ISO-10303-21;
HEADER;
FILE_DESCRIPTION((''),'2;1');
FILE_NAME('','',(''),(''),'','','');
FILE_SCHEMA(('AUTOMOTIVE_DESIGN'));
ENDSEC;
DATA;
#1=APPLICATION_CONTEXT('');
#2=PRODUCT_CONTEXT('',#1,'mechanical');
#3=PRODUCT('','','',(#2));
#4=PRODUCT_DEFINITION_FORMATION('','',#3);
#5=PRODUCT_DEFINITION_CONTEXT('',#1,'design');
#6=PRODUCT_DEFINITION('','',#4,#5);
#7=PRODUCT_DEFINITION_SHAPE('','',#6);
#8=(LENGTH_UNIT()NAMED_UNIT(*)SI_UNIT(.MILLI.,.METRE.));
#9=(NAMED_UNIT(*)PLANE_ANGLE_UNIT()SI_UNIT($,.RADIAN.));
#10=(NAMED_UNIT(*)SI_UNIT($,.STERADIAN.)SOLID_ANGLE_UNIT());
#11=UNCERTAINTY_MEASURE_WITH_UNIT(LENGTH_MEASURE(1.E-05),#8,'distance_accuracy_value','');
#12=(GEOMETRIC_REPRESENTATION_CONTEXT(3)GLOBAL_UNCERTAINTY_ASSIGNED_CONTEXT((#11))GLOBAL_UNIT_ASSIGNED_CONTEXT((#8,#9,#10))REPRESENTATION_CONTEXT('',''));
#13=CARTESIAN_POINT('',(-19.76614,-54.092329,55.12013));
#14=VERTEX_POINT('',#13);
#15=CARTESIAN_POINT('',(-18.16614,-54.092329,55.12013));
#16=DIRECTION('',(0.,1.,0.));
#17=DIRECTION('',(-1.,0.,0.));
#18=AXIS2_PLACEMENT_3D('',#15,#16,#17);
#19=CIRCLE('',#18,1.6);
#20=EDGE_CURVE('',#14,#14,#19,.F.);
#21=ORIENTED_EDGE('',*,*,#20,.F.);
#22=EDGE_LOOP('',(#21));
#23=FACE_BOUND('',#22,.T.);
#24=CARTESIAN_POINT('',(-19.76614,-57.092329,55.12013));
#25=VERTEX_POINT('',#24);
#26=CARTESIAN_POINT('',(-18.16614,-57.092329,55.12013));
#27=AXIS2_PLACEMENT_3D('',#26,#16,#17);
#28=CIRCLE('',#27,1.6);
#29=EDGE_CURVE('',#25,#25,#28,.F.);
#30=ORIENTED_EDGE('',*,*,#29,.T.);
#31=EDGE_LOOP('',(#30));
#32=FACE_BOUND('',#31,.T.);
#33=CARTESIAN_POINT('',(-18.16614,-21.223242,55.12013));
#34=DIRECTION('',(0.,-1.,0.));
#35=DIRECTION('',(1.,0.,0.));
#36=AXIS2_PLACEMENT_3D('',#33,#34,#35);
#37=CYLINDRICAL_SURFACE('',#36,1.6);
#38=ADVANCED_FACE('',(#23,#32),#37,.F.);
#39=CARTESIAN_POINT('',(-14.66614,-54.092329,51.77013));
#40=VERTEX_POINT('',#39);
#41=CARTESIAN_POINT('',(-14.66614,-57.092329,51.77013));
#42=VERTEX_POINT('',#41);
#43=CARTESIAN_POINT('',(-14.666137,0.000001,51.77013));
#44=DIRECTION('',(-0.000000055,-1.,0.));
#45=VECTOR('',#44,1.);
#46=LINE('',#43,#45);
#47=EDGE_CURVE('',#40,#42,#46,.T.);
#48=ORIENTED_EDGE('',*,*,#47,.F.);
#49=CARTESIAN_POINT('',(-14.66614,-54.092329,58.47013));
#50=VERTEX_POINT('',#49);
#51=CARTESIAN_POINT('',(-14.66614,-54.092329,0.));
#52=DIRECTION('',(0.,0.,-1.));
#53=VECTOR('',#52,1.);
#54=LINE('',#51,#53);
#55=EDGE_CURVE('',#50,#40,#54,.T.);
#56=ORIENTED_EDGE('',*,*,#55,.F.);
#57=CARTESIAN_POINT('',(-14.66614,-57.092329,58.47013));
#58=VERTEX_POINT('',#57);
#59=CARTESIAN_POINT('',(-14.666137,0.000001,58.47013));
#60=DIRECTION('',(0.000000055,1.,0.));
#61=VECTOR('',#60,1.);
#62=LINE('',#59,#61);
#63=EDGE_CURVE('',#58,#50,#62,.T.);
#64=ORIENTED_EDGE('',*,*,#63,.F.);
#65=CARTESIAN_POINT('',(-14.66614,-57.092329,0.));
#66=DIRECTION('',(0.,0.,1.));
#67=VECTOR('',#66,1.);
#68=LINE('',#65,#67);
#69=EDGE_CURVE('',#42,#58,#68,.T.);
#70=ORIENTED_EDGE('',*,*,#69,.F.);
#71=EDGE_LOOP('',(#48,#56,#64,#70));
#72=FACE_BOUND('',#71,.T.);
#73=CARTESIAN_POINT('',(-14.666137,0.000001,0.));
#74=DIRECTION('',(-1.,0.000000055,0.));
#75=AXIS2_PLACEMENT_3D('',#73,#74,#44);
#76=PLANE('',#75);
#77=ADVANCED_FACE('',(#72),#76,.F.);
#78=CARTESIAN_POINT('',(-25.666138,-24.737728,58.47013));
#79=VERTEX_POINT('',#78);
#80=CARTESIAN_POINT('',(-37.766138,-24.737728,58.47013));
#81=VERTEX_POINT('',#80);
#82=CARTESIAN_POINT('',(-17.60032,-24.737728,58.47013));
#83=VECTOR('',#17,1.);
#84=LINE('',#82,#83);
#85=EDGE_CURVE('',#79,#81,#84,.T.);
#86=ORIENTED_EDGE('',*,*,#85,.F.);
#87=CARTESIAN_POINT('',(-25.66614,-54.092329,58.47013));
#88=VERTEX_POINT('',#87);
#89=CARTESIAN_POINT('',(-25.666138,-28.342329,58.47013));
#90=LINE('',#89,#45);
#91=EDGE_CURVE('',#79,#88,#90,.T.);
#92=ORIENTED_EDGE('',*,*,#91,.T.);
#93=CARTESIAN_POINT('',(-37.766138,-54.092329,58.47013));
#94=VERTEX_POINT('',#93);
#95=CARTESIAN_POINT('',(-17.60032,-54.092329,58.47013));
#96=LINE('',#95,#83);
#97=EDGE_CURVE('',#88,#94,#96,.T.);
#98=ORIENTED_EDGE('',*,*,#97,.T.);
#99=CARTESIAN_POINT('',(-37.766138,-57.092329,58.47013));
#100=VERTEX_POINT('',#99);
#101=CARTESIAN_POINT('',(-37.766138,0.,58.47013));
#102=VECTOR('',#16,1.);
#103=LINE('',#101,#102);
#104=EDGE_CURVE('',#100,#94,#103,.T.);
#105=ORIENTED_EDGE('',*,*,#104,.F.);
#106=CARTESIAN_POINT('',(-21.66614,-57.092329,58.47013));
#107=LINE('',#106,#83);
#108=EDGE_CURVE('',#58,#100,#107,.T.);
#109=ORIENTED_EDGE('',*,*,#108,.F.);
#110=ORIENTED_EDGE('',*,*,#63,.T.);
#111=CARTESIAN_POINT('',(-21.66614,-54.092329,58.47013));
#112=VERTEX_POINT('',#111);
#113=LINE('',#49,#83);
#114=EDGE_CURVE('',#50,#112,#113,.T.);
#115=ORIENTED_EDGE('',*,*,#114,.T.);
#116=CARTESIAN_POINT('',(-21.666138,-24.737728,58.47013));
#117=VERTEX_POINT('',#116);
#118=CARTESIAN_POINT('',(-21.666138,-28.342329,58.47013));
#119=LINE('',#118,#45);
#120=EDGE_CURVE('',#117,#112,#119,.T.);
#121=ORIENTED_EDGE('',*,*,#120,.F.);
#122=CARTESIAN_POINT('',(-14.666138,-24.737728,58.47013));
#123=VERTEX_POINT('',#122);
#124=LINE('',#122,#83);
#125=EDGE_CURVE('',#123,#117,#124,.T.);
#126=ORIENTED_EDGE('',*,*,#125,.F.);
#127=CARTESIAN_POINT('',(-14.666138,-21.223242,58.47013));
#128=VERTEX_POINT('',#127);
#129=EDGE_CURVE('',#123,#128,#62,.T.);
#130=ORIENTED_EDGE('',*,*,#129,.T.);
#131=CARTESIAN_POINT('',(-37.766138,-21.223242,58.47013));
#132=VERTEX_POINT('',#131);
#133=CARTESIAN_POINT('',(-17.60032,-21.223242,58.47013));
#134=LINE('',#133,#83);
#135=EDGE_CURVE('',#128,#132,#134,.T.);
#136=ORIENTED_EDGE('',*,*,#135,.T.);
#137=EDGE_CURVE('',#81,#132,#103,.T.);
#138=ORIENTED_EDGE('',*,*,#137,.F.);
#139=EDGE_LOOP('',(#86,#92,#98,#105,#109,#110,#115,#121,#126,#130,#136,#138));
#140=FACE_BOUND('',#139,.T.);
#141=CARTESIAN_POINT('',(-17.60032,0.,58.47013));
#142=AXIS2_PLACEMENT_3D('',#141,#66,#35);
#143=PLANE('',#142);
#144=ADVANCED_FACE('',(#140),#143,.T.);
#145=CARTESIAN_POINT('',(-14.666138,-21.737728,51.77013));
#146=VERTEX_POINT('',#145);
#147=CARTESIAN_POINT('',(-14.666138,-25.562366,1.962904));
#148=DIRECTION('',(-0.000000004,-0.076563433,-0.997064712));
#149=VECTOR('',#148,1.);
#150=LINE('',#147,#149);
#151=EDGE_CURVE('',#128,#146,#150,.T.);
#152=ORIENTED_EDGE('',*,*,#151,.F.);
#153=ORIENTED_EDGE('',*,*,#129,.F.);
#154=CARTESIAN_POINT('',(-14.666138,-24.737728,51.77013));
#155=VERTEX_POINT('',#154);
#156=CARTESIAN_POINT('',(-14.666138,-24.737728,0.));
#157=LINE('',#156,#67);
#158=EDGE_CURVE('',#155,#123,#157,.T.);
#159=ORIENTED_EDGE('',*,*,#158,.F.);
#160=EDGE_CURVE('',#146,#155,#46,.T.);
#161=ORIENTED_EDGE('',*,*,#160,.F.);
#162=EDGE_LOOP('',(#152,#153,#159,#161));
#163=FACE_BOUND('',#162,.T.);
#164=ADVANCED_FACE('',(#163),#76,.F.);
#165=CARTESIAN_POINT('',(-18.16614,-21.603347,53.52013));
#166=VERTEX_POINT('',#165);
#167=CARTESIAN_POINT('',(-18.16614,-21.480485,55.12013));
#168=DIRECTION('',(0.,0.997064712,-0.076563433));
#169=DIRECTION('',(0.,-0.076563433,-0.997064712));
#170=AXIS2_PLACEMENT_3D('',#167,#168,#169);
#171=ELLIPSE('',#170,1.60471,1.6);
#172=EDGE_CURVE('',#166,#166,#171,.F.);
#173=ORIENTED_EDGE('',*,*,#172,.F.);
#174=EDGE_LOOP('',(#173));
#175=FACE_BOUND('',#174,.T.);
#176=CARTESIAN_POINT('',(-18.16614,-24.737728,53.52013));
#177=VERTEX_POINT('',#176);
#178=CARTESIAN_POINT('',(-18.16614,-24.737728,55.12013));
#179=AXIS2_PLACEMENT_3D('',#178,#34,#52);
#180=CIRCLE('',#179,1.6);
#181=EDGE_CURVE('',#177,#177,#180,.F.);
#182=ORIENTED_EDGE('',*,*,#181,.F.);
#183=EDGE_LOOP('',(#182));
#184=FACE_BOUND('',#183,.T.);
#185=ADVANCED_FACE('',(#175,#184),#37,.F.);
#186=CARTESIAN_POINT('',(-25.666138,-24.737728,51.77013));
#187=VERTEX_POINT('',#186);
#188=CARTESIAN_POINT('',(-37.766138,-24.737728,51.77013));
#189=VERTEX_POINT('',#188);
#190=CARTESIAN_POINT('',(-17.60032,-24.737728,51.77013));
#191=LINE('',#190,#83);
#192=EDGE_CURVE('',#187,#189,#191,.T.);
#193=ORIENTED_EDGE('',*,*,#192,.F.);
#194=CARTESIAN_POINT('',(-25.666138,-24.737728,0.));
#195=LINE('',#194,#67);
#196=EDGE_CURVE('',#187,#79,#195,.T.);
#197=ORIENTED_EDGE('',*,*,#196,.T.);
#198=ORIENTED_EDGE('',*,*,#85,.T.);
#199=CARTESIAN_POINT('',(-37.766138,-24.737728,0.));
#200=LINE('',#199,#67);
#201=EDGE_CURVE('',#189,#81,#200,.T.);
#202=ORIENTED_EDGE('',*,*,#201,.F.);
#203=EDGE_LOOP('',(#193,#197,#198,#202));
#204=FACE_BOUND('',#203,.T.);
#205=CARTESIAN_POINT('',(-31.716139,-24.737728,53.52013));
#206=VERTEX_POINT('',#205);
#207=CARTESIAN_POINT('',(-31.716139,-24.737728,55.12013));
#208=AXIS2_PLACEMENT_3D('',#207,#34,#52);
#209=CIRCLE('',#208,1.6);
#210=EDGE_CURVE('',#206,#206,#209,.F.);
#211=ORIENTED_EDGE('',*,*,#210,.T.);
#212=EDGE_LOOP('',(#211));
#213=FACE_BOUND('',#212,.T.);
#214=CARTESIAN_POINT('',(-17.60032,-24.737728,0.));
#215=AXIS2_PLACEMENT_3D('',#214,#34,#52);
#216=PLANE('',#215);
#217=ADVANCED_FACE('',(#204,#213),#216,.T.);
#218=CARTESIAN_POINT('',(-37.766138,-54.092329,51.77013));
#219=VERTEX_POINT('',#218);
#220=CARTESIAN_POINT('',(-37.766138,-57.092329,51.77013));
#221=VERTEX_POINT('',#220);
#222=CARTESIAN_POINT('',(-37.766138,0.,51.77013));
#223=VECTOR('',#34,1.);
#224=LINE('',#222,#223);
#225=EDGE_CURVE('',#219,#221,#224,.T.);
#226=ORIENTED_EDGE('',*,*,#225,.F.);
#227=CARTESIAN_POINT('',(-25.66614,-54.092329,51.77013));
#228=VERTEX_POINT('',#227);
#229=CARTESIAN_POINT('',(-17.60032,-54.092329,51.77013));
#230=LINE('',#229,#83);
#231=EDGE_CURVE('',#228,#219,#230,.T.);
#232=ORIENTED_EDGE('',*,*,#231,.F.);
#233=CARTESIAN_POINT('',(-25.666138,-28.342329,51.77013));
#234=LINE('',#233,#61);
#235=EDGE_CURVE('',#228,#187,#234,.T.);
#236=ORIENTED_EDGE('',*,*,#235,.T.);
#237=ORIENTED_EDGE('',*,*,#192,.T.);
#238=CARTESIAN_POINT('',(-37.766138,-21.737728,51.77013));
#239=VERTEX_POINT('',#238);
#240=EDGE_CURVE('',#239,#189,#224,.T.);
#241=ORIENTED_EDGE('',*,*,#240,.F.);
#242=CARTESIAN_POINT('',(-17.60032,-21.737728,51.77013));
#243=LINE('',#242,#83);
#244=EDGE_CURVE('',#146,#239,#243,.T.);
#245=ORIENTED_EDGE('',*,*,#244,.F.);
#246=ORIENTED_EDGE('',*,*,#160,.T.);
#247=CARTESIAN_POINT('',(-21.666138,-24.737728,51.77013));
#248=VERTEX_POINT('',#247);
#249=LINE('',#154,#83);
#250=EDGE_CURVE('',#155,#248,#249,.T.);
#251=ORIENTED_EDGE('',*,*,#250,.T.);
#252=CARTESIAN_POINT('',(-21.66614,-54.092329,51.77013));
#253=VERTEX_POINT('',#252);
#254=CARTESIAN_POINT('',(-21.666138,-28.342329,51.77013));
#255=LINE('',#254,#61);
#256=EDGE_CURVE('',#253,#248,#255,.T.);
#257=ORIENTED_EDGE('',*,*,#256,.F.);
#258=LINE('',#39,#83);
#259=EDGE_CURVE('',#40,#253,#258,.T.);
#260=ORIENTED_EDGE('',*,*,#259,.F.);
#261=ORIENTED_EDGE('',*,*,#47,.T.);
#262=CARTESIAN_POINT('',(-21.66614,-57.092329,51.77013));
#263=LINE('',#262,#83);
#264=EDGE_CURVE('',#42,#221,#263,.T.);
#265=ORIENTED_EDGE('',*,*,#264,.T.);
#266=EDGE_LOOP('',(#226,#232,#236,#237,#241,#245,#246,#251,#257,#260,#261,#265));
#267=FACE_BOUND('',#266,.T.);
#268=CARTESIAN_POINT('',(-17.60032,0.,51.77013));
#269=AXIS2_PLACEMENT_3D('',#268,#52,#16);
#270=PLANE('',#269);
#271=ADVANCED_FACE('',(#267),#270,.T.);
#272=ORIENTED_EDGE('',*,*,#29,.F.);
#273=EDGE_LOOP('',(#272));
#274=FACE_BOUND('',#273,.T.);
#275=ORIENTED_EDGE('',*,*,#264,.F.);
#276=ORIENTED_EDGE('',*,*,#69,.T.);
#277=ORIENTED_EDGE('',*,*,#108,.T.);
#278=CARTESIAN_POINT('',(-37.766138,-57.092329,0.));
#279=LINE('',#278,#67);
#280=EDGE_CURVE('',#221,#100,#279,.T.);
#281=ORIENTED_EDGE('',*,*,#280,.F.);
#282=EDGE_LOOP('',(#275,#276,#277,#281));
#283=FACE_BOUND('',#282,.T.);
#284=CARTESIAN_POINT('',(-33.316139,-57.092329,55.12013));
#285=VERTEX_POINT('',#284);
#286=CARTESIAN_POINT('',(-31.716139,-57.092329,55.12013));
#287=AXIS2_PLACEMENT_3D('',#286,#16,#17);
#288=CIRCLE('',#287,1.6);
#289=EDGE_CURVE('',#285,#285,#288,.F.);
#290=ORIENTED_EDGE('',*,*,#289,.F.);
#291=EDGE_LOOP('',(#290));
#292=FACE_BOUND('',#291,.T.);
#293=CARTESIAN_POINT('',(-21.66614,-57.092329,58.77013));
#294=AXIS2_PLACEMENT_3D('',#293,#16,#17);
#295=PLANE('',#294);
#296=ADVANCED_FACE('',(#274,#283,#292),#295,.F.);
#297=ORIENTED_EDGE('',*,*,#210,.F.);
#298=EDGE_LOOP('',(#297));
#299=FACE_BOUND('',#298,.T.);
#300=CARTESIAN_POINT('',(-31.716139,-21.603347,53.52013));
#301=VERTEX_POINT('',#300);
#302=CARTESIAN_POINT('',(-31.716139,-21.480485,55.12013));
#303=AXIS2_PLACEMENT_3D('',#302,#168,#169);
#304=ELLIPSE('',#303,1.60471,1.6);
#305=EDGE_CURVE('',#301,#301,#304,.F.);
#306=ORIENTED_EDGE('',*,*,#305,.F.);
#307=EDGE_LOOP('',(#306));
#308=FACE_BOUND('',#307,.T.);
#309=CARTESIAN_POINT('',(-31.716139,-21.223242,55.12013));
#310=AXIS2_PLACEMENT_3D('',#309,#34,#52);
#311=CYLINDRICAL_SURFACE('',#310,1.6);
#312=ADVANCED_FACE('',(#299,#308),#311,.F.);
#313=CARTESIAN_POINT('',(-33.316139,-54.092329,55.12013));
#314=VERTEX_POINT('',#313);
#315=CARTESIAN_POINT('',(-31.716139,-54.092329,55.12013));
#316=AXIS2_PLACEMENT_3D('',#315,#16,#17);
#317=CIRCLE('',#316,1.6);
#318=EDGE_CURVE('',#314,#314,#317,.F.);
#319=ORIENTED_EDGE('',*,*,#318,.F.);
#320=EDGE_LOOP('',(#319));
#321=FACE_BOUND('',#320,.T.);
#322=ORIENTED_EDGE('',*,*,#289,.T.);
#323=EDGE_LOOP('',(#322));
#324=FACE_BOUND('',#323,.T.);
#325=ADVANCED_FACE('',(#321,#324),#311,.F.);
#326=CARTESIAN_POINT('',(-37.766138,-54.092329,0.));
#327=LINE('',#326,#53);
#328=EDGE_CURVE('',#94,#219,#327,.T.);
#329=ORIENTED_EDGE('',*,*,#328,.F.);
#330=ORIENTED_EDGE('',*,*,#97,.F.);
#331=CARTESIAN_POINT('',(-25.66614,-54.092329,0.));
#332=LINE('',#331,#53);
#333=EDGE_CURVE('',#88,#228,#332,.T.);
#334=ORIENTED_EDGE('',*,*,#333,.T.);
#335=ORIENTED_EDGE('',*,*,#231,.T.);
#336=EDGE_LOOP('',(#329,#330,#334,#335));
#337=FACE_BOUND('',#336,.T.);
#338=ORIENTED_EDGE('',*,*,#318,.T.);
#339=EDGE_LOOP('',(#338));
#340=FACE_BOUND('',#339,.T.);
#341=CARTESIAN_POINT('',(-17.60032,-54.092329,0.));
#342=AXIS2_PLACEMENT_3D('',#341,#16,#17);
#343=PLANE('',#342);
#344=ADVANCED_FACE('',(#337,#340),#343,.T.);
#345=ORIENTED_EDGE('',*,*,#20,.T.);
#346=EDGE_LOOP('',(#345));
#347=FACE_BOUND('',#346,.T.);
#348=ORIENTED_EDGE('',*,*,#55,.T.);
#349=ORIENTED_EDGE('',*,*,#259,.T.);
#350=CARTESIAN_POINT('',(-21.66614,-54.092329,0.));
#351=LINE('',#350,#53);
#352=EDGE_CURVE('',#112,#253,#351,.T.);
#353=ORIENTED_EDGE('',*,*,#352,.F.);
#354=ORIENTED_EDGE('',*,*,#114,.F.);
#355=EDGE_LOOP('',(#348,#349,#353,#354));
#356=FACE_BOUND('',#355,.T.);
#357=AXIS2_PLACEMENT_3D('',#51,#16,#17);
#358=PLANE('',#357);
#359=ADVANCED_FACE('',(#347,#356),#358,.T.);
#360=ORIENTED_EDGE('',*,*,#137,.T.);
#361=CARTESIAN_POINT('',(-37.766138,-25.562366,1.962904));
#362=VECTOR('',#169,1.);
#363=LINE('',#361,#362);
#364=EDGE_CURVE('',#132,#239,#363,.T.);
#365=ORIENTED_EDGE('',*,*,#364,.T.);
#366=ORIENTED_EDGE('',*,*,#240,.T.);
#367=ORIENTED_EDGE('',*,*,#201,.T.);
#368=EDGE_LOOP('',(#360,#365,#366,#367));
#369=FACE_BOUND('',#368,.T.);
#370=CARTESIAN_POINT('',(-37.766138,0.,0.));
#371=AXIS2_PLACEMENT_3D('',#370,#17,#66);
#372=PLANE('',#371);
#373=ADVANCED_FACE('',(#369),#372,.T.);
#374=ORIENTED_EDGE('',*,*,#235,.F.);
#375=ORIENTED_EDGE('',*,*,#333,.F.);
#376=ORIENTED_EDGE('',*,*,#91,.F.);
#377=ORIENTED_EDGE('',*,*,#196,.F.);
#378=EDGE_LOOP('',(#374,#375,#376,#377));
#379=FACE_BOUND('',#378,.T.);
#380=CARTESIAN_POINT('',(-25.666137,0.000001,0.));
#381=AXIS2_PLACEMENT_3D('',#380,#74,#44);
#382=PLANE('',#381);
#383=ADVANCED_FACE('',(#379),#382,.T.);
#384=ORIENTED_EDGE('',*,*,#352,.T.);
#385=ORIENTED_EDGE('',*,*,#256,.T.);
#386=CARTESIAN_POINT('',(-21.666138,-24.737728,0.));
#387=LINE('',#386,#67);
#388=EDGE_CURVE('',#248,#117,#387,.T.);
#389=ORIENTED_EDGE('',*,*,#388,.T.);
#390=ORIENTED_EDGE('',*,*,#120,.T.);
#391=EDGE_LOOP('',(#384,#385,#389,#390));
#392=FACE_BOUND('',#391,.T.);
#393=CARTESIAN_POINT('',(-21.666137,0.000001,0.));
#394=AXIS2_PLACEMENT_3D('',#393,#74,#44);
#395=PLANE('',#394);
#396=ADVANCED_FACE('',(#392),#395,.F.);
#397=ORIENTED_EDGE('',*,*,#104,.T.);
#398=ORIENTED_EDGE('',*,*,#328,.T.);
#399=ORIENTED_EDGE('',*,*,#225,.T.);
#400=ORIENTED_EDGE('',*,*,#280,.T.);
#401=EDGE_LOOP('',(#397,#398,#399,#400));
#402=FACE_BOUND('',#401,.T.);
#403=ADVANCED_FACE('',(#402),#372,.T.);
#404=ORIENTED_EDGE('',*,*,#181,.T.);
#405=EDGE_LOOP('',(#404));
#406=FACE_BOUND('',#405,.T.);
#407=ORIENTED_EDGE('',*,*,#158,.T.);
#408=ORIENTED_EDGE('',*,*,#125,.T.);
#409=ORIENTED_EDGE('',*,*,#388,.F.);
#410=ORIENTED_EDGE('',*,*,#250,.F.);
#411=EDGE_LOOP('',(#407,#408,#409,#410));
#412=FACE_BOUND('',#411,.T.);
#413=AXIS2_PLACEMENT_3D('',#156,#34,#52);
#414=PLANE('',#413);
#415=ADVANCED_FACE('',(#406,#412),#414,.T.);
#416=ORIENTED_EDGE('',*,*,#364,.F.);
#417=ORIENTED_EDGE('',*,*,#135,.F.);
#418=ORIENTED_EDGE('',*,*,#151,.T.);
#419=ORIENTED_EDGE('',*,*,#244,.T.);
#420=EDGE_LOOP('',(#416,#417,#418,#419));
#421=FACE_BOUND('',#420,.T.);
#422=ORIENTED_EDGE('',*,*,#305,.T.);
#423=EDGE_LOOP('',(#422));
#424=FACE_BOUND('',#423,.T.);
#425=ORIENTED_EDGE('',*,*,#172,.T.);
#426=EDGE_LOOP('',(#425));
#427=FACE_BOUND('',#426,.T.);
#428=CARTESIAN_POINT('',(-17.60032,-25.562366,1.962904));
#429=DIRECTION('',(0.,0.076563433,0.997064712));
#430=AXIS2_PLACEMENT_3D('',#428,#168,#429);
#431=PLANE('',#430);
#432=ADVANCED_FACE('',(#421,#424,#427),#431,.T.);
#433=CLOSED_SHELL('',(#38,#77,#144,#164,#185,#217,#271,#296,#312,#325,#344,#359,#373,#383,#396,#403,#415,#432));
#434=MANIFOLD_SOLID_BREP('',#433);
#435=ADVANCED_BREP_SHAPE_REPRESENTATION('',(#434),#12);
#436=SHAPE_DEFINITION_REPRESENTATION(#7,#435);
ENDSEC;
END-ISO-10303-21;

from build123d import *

# Parameters (mm, degrees)
SKETCH2_W                      = 6.7
SKETCH2_H                      = 3
BOSS_EXTRUDE1_DEPTH            = 12.100000416
BOSS_EXTRUDE1_2_DEPTH          = 12.100000416
BOSS_EXTRUDE2_START            = -12.1
SKETCH2_3_W                    = 6.7
SKETCH2_3_H                    = 3
SKETCH2_3_H_2                  = 29.35460187
BOSS_EXTRUDE2_DEPTH            = 4
CUT_EXTRUDE1_REACH             = 78.977
SKETCH3_R                      = 1.6
CUT_EXTRUDE1_DIRECTION_2_DEPTH = 77.976712266
BOSS_EXTRUDE4_START            = -16.100002
SKETCH2_4_W                    = 6.7
SKETCH2_4_H                    = 3
BOSS_EXTRUDE4_DEPTH            = 7
CUT_EXTRUDE2_REACH             = 78.977
SKETCH6_R                      = 1.6
CUT_EXTRUDE2_DIRECTION_2_DEPTH = 77.976712266


with BuildPart() as part:
    # Sketch2 → Boss-Extrude1 (new body)
    with BuildSketch(Plane.ZY.offset(37.766138352)):
        with Locations((55.120130346, -55.592329425)):
            Rectangle(SKETCH2_W, SKETCH2_H)
    extrude(amount=-BOSS_EXTRUDE1_DEPTH)



with BuildPart() as body_2:
    # Sketch2 → Boss-Extrude1 2 (new body)
    with BuildSketch(Plane.ZY.offset(37.766138352)):
        Polygon((51.770130346, -21.737727555), (51.770130346, -24.737727555), (58.470130346, -24.737727555), (58.470130346, -21.223242389), align=None)
    extrude(amount=-BOSS_EXTRUDE1_2_DEPTH)


with BuildPart() as part_1:
    add(part.part)

    add(body_2.part)  # Boss-Extrude2 merges body 2
    # Sketch2<3> → Boss-Extrude2 (add)
    with BuildSketch(Plane.ZY.offset(37.766138352).offset(BOSS_EXTRUDE2_START)):
        with Locations((55.120130346, -55.592329425)):
            Rectangle(SKETCH2_3_W, SKETCH2_3_H)
        with Locations((55.120130346, -39.41502849)):
            Rectangle(SKETCH2_3_W, SKETCH2_3_H_2)
        Polygon((51.770130346, -21.737727555), (51.770130346, -24.737727555), (58.470130346, -24.737727555), (58.470130346, -21.223242389), align=None)
    extrude(amount=-BOSS_EXTRUDE2_DEPTH)

    # Sketch3 → Cut-Extrude1 (cut, up to next)
    with BuildSketch(Plane(origin=(0, -54.092329425, 0), x_dir=(1, 0, 0), z_dir=(0, 1, 0)), mode=Mode.PRIVATE) as cut_extrude1_sk1:
        with Locations(Location((-31.716139041, -55.120130346, 0), (0, 0, 180))):
            Circle(SKETCH3_R)
    cut_extrude1_tool1 = extrude(cut_extrude1_sk1.sketch, amount=-CUT_EXTRUDE1_REACH, mode=Mode.PRIVATE) & part_1.part
    add(cut_extrude1_tool1.solids().sort_by_distance((-31.716139, -54.092329, 55.12013))[0], mode=Mode.SUBTRACT)

    # Sketch3 → Cut-Extrude1 direction 2 (cut)
    with BuildSketch(Plane(origin=(0, -54.092329425, 0), x_dir=(1, 0, 0), z_dir=(0, 1, 0))):
        with Locations(Location((-31.716139041, -55.120130346, 0), (0, 0, 180))):
            Circle(SKETCH3_R)
    extrude(amount=CUT_EXTRUDE1_DIRECTION_2_DEPTH, mode=Mode.SUBTRACT)


with BuildPart() as boss_extrude4_tool:
    # Sketch2<4> → Boss-Extrude4 (new body)
    with BuildSketch(Plane.ZY.offset(37.766138352).offset(BOSS_EXTRUDE4_START)):
        with Locations((55.120130346, -55.592329425)):
            Rectangle(SKETCH2_4_W, SKETCH2_4_H)
        Polygon((51.770130346, -21.737727555), (51.770130346, -24.737727555), (58.470130346, -24.737727555), (58.470130346, -21.223242389), align=None)
    extrude(amount=-BOSS_EXTRUDE4_DEPTH)


with BuildPart() as part_2:
    add(part_1.part)


with BuildPart() as part_3:
    # Boss-Extrude4: joined with boss_extrude4_tool
    add(part_2.part.fuse(boss_extrude4_tool.part, tol=0.00001))

    # Sketch6 → Cut-Extrude2 (cut, up to next)
    with BuildSketch(Plane(origin=(0, -54.092329425, 0), x_dir=(1, 0, 0), z_dir=(0, 1, 0)), mode=Mode.PRIVATE) as cut_extrude2_sk1:
        with Locations(Location((-18.166139731, -55.120130346, 0), (0, 0, 90))):
            Circle(SKETCH6_R)
    cut_extrude2_tool1 = extrude(cut_extrude2_sk1.sketch, amount=-CUT_EXTRUDE2_REACH, mode=Mode.PRIVATE) & part_3.part
    add(cut_extrude2_tool1.solids().sort_by_distance((-18.16614, -54.092329, 55.12013))[0], mode=Mode.SUBTRACT)

    # Sketch6 → Cut-Extrude2 direction 2 (cut)
    with BuildSketch(Plane(origin=(0, -54.092329425, 0), x_dir=(1, 0, 0), z_dir=(0, 1, 0))):
        with Locations(Location((-18.166139731, -55.120130346, 0), (0, 0, 90))):
            Circle(SKETCH6_R)
    extrude(amount=CUT_EXTRUDE2_DIRECTION_2_DEPTH, mode=Mode.SUBTRACT)


solid = part_3.part
